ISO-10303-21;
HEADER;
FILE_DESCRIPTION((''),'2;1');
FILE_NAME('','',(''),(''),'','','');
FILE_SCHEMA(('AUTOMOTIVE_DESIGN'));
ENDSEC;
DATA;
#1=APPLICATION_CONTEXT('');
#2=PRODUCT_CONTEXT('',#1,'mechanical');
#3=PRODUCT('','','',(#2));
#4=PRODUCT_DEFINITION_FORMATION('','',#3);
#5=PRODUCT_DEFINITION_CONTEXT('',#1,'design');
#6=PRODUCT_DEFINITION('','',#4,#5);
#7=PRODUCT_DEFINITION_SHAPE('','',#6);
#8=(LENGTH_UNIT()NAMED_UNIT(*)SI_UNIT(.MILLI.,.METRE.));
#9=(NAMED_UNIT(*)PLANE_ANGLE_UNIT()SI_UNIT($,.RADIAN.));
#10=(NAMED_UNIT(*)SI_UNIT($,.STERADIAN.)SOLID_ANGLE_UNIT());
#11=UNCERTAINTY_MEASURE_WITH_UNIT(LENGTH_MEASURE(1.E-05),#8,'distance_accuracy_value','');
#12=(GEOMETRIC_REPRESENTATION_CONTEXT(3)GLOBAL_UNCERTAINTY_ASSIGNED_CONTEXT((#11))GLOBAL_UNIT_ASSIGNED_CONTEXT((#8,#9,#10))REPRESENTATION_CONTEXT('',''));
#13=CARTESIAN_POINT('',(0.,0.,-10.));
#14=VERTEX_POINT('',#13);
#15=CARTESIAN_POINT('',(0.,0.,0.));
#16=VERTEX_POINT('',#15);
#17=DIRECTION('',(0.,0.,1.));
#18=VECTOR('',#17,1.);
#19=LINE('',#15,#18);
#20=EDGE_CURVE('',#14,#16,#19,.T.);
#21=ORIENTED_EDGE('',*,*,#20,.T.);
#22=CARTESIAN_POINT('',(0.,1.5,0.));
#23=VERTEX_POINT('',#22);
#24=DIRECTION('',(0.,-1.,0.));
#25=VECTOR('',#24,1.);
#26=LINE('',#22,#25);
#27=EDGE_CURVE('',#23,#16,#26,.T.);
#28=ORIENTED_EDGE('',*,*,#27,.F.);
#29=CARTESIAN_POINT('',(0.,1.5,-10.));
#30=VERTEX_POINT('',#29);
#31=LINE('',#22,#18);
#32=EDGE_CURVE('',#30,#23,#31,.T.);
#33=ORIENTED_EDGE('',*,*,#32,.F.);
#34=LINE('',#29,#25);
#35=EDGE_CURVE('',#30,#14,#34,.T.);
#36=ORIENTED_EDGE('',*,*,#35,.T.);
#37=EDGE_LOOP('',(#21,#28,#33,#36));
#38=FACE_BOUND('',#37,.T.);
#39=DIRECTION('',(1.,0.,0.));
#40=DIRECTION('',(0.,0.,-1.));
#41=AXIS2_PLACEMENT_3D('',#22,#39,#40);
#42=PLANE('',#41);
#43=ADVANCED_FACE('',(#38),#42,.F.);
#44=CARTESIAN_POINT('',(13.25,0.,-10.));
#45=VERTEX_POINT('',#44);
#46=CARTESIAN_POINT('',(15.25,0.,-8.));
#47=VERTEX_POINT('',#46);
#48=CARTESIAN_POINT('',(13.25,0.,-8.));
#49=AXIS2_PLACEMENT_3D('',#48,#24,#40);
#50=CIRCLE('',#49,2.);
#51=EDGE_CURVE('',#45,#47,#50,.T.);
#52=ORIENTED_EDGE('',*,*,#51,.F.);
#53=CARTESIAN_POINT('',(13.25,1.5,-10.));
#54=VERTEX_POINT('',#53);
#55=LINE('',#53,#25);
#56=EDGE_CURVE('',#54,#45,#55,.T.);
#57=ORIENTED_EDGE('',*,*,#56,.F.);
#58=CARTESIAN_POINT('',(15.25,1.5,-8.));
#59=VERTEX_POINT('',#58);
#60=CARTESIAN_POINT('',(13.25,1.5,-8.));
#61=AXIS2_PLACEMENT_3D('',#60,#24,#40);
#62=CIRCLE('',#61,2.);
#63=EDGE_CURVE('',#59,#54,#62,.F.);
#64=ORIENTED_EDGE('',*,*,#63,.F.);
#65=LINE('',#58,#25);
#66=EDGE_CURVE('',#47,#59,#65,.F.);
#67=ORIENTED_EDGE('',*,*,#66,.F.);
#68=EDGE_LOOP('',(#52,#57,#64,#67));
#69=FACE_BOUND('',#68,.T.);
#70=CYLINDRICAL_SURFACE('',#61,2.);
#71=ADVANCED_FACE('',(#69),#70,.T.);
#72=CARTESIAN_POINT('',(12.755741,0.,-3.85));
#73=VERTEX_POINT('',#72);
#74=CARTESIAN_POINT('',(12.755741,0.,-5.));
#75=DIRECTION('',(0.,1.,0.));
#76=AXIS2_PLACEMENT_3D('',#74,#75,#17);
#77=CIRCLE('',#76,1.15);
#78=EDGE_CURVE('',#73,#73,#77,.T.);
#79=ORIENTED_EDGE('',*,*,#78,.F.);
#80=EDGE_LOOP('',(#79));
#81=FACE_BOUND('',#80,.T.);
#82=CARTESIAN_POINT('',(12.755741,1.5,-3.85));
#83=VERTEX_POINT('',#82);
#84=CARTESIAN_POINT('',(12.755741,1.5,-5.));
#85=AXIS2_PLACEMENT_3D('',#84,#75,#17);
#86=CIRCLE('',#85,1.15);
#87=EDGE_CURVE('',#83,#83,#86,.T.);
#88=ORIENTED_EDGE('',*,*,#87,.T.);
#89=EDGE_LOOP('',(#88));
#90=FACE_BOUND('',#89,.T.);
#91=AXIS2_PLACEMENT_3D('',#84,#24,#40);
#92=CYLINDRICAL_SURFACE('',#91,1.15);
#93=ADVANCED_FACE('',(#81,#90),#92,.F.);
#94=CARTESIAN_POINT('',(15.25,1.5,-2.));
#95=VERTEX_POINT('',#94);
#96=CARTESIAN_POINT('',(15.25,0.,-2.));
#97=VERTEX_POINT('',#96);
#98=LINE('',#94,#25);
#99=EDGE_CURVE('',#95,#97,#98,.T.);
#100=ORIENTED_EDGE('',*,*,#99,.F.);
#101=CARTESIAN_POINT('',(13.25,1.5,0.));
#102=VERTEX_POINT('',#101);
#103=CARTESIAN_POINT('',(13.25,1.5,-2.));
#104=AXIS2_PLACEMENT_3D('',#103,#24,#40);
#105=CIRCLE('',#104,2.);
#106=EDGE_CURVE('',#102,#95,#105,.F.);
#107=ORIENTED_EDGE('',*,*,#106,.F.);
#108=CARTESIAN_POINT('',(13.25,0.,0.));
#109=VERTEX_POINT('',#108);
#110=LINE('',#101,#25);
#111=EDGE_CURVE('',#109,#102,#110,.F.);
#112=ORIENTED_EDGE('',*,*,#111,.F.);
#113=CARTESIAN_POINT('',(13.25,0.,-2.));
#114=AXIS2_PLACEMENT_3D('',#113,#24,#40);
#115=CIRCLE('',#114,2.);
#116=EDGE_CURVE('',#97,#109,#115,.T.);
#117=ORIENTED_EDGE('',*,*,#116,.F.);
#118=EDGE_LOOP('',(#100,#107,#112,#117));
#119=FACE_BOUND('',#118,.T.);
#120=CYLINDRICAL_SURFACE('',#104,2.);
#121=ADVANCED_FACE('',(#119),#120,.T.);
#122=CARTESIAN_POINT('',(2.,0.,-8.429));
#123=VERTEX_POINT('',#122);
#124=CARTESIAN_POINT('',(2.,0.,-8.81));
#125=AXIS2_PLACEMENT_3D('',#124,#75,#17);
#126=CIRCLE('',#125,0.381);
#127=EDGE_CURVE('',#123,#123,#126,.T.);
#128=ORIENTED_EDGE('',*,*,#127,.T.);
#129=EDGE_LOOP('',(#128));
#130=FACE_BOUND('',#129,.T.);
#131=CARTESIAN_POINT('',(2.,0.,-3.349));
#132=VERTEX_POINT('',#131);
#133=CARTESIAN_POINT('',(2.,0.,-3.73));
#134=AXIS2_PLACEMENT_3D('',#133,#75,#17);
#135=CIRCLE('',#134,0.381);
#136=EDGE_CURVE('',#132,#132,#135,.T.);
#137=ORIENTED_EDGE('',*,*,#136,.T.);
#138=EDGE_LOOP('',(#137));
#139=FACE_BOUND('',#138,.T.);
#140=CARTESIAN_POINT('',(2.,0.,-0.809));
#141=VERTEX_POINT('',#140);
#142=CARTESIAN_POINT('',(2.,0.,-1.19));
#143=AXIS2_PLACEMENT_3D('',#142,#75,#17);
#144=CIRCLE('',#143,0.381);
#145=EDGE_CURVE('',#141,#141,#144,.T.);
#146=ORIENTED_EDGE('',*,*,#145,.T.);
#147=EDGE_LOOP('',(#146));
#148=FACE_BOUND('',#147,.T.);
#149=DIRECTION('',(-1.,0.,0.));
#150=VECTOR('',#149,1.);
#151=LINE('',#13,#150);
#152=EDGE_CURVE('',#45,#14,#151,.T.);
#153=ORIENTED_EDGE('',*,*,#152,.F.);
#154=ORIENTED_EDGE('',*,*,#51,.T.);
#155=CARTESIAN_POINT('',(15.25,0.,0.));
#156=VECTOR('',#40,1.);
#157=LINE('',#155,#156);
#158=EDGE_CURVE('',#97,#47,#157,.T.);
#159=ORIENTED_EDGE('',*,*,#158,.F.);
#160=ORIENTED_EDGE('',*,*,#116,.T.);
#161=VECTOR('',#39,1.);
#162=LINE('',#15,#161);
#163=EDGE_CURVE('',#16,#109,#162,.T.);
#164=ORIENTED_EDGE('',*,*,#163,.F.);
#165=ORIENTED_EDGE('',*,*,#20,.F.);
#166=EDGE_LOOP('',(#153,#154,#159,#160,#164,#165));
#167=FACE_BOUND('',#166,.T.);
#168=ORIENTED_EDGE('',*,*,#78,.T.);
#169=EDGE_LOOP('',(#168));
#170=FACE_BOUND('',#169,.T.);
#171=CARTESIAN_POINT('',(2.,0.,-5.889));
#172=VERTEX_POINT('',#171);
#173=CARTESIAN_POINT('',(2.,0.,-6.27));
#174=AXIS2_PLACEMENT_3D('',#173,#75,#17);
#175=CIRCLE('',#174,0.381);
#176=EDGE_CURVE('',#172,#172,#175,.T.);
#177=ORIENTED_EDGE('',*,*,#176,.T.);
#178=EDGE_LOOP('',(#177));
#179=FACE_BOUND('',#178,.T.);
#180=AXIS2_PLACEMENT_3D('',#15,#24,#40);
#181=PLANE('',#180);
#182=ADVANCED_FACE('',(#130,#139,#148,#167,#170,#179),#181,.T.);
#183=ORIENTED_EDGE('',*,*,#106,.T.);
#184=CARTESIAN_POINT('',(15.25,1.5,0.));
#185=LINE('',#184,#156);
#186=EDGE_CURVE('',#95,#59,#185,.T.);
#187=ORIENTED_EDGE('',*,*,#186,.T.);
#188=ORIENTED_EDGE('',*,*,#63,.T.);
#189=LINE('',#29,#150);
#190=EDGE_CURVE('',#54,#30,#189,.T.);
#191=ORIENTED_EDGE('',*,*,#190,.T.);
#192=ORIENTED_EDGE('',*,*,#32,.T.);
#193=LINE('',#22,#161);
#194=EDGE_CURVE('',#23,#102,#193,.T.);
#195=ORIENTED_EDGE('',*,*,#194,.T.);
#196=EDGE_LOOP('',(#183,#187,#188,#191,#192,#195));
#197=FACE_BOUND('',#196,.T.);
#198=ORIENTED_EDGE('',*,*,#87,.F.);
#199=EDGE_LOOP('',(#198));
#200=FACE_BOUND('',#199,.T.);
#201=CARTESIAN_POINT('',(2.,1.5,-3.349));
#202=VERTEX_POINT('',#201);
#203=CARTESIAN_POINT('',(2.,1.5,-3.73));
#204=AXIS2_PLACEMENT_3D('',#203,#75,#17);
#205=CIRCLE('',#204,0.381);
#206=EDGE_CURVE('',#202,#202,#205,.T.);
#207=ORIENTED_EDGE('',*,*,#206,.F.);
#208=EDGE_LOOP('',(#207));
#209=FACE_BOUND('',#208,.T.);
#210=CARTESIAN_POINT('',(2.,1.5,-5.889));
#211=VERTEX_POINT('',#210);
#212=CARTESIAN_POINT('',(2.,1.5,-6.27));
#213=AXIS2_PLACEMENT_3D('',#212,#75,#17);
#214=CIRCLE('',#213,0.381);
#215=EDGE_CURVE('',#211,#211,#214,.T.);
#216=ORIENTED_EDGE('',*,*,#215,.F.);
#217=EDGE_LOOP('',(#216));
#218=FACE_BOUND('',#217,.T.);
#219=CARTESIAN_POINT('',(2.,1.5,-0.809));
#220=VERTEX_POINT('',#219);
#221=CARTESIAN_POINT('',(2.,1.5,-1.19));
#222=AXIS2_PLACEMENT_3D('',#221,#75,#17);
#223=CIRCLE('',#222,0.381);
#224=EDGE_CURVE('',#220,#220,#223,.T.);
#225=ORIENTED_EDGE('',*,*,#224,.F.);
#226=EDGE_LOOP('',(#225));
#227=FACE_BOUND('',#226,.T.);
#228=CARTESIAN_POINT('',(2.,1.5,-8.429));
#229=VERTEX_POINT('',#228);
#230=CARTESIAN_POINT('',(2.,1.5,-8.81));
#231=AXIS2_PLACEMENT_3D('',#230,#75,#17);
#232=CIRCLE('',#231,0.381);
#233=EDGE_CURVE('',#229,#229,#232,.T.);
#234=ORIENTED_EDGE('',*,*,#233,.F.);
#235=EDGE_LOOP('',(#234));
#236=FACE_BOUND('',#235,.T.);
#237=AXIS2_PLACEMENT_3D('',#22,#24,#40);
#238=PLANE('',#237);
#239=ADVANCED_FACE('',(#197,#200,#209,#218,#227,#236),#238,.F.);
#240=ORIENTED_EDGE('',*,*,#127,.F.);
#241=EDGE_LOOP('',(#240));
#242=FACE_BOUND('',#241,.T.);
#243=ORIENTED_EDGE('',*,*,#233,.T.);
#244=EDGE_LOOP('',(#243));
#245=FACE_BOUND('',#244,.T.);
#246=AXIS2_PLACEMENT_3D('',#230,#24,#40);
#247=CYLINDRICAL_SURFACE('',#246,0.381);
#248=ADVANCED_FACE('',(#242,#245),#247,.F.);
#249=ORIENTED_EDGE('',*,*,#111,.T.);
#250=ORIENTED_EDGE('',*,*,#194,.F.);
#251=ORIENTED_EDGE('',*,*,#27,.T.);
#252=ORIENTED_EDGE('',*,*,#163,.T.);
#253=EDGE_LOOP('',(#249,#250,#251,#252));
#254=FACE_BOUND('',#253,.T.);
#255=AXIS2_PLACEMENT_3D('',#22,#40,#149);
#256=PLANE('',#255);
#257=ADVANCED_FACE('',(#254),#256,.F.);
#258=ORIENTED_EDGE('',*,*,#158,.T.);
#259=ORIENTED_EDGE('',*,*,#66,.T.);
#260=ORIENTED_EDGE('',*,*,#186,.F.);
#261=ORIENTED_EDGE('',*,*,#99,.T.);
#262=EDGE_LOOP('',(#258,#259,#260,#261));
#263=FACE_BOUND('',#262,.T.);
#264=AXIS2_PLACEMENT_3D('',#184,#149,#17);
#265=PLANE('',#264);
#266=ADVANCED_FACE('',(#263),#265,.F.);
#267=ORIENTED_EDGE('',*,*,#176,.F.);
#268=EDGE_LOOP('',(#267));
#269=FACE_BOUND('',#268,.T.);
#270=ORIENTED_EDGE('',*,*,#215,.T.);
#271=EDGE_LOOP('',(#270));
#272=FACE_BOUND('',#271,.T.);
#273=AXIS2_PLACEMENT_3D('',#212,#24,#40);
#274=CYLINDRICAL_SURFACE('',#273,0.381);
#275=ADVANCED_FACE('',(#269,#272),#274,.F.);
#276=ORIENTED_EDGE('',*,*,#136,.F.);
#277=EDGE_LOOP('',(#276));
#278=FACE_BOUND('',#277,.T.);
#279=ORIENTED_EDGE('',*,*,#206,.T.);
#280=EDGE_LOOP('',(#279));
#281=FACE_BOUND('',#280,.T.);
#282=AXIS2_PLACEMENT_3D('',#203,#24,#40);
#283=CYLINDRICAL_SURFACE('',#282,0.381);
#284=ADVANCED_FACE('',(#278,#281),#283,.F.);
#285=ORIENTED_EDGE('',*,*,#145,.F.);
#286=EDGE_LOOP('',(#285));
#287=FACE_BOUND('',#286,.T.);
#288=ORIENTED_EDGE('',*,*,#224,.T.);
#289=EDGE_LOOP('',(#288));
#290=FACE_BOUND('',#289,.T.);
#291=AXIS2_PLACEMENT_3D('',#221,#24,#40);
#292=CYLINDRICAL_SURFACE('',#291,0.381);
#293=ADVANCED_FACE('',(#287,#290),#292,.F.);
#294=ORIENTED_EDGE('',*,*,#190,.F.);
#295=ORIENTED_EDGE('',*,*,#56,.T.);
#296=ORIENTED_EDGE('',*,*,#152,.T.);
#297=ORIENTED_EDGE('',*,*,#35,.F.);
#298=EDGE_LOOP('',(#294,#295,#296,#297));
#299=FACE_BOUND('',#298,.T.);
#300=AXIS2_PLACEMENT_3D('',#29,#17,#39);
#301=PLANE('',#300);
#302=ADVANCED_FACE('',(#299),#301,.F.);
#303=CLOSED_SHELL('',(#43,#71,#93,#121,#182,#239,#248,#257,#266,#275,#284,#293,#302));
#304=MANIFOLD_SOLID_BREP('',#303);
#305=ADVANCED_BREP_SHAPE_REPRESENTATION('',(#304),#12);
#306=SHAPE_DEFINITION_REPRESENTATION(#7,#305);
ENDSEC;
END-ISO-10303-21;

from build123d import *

# Parameters (mm, degrees)
SKETCH1_W           = 15.25
SKETCH1_H           = 10
SKETCH1_R           = 1.15
SKETCH1_R_2         = 0.381
BOSS_EXTRUDE1_DEPTH = 1.5
FILLET2_R           = 2


with BuildPart() as part:
    # Sketch1 → Boss-Extrude1 (new body)
    with BuildSketch(Plane(origin=(0, 0, 0), x_dir=(1, 0, 0), z_dir=(0, 1, 0))):
        with Locations((7.625, 5)):
            Rectangle(SKETCH1_W, SKETCH1_H)
        with Locations(Location((12.755741127, 5, 0), (0, 0, 270))):
            Circle(SKETCH1_R, mode=Mode.SUBTRACT)
        with Locations(Location((2, 6.27, 0), (0, 0, 270))):
            Circle(SKETCH1_R_2, mode=Mode.SUBTRACT)
        with Locations(Location((2, 3.73, 0), (0, 0, 270))):
            Circle(SKETCH1_R_2, mode=Mode.SUBTRACT)
        with Locations(Location((2, 1.19, 0), (0, 0, 270))):
            Circle(SKETCH1_R_2, mode=Mode.SUBTRACT)
        with Locations(Location((2, 8.81, 0), (0, 0, 270))):
            Circle(SKETCH1_R_2, mode=Mode.SUBTRACT)
    extrude(amount=BOSS_EXTRUDE1_DEPTH)

    # Fillet2
    fillet2_edges = [part.edges().sort_by_distance(p)[0] for p in [
        (15.25, 0.75, -10),
        (15.25, 0.75, 0),
    ]]
    fillet(fillet2_edges, radius=FILLET2_R)


solid = part.part
